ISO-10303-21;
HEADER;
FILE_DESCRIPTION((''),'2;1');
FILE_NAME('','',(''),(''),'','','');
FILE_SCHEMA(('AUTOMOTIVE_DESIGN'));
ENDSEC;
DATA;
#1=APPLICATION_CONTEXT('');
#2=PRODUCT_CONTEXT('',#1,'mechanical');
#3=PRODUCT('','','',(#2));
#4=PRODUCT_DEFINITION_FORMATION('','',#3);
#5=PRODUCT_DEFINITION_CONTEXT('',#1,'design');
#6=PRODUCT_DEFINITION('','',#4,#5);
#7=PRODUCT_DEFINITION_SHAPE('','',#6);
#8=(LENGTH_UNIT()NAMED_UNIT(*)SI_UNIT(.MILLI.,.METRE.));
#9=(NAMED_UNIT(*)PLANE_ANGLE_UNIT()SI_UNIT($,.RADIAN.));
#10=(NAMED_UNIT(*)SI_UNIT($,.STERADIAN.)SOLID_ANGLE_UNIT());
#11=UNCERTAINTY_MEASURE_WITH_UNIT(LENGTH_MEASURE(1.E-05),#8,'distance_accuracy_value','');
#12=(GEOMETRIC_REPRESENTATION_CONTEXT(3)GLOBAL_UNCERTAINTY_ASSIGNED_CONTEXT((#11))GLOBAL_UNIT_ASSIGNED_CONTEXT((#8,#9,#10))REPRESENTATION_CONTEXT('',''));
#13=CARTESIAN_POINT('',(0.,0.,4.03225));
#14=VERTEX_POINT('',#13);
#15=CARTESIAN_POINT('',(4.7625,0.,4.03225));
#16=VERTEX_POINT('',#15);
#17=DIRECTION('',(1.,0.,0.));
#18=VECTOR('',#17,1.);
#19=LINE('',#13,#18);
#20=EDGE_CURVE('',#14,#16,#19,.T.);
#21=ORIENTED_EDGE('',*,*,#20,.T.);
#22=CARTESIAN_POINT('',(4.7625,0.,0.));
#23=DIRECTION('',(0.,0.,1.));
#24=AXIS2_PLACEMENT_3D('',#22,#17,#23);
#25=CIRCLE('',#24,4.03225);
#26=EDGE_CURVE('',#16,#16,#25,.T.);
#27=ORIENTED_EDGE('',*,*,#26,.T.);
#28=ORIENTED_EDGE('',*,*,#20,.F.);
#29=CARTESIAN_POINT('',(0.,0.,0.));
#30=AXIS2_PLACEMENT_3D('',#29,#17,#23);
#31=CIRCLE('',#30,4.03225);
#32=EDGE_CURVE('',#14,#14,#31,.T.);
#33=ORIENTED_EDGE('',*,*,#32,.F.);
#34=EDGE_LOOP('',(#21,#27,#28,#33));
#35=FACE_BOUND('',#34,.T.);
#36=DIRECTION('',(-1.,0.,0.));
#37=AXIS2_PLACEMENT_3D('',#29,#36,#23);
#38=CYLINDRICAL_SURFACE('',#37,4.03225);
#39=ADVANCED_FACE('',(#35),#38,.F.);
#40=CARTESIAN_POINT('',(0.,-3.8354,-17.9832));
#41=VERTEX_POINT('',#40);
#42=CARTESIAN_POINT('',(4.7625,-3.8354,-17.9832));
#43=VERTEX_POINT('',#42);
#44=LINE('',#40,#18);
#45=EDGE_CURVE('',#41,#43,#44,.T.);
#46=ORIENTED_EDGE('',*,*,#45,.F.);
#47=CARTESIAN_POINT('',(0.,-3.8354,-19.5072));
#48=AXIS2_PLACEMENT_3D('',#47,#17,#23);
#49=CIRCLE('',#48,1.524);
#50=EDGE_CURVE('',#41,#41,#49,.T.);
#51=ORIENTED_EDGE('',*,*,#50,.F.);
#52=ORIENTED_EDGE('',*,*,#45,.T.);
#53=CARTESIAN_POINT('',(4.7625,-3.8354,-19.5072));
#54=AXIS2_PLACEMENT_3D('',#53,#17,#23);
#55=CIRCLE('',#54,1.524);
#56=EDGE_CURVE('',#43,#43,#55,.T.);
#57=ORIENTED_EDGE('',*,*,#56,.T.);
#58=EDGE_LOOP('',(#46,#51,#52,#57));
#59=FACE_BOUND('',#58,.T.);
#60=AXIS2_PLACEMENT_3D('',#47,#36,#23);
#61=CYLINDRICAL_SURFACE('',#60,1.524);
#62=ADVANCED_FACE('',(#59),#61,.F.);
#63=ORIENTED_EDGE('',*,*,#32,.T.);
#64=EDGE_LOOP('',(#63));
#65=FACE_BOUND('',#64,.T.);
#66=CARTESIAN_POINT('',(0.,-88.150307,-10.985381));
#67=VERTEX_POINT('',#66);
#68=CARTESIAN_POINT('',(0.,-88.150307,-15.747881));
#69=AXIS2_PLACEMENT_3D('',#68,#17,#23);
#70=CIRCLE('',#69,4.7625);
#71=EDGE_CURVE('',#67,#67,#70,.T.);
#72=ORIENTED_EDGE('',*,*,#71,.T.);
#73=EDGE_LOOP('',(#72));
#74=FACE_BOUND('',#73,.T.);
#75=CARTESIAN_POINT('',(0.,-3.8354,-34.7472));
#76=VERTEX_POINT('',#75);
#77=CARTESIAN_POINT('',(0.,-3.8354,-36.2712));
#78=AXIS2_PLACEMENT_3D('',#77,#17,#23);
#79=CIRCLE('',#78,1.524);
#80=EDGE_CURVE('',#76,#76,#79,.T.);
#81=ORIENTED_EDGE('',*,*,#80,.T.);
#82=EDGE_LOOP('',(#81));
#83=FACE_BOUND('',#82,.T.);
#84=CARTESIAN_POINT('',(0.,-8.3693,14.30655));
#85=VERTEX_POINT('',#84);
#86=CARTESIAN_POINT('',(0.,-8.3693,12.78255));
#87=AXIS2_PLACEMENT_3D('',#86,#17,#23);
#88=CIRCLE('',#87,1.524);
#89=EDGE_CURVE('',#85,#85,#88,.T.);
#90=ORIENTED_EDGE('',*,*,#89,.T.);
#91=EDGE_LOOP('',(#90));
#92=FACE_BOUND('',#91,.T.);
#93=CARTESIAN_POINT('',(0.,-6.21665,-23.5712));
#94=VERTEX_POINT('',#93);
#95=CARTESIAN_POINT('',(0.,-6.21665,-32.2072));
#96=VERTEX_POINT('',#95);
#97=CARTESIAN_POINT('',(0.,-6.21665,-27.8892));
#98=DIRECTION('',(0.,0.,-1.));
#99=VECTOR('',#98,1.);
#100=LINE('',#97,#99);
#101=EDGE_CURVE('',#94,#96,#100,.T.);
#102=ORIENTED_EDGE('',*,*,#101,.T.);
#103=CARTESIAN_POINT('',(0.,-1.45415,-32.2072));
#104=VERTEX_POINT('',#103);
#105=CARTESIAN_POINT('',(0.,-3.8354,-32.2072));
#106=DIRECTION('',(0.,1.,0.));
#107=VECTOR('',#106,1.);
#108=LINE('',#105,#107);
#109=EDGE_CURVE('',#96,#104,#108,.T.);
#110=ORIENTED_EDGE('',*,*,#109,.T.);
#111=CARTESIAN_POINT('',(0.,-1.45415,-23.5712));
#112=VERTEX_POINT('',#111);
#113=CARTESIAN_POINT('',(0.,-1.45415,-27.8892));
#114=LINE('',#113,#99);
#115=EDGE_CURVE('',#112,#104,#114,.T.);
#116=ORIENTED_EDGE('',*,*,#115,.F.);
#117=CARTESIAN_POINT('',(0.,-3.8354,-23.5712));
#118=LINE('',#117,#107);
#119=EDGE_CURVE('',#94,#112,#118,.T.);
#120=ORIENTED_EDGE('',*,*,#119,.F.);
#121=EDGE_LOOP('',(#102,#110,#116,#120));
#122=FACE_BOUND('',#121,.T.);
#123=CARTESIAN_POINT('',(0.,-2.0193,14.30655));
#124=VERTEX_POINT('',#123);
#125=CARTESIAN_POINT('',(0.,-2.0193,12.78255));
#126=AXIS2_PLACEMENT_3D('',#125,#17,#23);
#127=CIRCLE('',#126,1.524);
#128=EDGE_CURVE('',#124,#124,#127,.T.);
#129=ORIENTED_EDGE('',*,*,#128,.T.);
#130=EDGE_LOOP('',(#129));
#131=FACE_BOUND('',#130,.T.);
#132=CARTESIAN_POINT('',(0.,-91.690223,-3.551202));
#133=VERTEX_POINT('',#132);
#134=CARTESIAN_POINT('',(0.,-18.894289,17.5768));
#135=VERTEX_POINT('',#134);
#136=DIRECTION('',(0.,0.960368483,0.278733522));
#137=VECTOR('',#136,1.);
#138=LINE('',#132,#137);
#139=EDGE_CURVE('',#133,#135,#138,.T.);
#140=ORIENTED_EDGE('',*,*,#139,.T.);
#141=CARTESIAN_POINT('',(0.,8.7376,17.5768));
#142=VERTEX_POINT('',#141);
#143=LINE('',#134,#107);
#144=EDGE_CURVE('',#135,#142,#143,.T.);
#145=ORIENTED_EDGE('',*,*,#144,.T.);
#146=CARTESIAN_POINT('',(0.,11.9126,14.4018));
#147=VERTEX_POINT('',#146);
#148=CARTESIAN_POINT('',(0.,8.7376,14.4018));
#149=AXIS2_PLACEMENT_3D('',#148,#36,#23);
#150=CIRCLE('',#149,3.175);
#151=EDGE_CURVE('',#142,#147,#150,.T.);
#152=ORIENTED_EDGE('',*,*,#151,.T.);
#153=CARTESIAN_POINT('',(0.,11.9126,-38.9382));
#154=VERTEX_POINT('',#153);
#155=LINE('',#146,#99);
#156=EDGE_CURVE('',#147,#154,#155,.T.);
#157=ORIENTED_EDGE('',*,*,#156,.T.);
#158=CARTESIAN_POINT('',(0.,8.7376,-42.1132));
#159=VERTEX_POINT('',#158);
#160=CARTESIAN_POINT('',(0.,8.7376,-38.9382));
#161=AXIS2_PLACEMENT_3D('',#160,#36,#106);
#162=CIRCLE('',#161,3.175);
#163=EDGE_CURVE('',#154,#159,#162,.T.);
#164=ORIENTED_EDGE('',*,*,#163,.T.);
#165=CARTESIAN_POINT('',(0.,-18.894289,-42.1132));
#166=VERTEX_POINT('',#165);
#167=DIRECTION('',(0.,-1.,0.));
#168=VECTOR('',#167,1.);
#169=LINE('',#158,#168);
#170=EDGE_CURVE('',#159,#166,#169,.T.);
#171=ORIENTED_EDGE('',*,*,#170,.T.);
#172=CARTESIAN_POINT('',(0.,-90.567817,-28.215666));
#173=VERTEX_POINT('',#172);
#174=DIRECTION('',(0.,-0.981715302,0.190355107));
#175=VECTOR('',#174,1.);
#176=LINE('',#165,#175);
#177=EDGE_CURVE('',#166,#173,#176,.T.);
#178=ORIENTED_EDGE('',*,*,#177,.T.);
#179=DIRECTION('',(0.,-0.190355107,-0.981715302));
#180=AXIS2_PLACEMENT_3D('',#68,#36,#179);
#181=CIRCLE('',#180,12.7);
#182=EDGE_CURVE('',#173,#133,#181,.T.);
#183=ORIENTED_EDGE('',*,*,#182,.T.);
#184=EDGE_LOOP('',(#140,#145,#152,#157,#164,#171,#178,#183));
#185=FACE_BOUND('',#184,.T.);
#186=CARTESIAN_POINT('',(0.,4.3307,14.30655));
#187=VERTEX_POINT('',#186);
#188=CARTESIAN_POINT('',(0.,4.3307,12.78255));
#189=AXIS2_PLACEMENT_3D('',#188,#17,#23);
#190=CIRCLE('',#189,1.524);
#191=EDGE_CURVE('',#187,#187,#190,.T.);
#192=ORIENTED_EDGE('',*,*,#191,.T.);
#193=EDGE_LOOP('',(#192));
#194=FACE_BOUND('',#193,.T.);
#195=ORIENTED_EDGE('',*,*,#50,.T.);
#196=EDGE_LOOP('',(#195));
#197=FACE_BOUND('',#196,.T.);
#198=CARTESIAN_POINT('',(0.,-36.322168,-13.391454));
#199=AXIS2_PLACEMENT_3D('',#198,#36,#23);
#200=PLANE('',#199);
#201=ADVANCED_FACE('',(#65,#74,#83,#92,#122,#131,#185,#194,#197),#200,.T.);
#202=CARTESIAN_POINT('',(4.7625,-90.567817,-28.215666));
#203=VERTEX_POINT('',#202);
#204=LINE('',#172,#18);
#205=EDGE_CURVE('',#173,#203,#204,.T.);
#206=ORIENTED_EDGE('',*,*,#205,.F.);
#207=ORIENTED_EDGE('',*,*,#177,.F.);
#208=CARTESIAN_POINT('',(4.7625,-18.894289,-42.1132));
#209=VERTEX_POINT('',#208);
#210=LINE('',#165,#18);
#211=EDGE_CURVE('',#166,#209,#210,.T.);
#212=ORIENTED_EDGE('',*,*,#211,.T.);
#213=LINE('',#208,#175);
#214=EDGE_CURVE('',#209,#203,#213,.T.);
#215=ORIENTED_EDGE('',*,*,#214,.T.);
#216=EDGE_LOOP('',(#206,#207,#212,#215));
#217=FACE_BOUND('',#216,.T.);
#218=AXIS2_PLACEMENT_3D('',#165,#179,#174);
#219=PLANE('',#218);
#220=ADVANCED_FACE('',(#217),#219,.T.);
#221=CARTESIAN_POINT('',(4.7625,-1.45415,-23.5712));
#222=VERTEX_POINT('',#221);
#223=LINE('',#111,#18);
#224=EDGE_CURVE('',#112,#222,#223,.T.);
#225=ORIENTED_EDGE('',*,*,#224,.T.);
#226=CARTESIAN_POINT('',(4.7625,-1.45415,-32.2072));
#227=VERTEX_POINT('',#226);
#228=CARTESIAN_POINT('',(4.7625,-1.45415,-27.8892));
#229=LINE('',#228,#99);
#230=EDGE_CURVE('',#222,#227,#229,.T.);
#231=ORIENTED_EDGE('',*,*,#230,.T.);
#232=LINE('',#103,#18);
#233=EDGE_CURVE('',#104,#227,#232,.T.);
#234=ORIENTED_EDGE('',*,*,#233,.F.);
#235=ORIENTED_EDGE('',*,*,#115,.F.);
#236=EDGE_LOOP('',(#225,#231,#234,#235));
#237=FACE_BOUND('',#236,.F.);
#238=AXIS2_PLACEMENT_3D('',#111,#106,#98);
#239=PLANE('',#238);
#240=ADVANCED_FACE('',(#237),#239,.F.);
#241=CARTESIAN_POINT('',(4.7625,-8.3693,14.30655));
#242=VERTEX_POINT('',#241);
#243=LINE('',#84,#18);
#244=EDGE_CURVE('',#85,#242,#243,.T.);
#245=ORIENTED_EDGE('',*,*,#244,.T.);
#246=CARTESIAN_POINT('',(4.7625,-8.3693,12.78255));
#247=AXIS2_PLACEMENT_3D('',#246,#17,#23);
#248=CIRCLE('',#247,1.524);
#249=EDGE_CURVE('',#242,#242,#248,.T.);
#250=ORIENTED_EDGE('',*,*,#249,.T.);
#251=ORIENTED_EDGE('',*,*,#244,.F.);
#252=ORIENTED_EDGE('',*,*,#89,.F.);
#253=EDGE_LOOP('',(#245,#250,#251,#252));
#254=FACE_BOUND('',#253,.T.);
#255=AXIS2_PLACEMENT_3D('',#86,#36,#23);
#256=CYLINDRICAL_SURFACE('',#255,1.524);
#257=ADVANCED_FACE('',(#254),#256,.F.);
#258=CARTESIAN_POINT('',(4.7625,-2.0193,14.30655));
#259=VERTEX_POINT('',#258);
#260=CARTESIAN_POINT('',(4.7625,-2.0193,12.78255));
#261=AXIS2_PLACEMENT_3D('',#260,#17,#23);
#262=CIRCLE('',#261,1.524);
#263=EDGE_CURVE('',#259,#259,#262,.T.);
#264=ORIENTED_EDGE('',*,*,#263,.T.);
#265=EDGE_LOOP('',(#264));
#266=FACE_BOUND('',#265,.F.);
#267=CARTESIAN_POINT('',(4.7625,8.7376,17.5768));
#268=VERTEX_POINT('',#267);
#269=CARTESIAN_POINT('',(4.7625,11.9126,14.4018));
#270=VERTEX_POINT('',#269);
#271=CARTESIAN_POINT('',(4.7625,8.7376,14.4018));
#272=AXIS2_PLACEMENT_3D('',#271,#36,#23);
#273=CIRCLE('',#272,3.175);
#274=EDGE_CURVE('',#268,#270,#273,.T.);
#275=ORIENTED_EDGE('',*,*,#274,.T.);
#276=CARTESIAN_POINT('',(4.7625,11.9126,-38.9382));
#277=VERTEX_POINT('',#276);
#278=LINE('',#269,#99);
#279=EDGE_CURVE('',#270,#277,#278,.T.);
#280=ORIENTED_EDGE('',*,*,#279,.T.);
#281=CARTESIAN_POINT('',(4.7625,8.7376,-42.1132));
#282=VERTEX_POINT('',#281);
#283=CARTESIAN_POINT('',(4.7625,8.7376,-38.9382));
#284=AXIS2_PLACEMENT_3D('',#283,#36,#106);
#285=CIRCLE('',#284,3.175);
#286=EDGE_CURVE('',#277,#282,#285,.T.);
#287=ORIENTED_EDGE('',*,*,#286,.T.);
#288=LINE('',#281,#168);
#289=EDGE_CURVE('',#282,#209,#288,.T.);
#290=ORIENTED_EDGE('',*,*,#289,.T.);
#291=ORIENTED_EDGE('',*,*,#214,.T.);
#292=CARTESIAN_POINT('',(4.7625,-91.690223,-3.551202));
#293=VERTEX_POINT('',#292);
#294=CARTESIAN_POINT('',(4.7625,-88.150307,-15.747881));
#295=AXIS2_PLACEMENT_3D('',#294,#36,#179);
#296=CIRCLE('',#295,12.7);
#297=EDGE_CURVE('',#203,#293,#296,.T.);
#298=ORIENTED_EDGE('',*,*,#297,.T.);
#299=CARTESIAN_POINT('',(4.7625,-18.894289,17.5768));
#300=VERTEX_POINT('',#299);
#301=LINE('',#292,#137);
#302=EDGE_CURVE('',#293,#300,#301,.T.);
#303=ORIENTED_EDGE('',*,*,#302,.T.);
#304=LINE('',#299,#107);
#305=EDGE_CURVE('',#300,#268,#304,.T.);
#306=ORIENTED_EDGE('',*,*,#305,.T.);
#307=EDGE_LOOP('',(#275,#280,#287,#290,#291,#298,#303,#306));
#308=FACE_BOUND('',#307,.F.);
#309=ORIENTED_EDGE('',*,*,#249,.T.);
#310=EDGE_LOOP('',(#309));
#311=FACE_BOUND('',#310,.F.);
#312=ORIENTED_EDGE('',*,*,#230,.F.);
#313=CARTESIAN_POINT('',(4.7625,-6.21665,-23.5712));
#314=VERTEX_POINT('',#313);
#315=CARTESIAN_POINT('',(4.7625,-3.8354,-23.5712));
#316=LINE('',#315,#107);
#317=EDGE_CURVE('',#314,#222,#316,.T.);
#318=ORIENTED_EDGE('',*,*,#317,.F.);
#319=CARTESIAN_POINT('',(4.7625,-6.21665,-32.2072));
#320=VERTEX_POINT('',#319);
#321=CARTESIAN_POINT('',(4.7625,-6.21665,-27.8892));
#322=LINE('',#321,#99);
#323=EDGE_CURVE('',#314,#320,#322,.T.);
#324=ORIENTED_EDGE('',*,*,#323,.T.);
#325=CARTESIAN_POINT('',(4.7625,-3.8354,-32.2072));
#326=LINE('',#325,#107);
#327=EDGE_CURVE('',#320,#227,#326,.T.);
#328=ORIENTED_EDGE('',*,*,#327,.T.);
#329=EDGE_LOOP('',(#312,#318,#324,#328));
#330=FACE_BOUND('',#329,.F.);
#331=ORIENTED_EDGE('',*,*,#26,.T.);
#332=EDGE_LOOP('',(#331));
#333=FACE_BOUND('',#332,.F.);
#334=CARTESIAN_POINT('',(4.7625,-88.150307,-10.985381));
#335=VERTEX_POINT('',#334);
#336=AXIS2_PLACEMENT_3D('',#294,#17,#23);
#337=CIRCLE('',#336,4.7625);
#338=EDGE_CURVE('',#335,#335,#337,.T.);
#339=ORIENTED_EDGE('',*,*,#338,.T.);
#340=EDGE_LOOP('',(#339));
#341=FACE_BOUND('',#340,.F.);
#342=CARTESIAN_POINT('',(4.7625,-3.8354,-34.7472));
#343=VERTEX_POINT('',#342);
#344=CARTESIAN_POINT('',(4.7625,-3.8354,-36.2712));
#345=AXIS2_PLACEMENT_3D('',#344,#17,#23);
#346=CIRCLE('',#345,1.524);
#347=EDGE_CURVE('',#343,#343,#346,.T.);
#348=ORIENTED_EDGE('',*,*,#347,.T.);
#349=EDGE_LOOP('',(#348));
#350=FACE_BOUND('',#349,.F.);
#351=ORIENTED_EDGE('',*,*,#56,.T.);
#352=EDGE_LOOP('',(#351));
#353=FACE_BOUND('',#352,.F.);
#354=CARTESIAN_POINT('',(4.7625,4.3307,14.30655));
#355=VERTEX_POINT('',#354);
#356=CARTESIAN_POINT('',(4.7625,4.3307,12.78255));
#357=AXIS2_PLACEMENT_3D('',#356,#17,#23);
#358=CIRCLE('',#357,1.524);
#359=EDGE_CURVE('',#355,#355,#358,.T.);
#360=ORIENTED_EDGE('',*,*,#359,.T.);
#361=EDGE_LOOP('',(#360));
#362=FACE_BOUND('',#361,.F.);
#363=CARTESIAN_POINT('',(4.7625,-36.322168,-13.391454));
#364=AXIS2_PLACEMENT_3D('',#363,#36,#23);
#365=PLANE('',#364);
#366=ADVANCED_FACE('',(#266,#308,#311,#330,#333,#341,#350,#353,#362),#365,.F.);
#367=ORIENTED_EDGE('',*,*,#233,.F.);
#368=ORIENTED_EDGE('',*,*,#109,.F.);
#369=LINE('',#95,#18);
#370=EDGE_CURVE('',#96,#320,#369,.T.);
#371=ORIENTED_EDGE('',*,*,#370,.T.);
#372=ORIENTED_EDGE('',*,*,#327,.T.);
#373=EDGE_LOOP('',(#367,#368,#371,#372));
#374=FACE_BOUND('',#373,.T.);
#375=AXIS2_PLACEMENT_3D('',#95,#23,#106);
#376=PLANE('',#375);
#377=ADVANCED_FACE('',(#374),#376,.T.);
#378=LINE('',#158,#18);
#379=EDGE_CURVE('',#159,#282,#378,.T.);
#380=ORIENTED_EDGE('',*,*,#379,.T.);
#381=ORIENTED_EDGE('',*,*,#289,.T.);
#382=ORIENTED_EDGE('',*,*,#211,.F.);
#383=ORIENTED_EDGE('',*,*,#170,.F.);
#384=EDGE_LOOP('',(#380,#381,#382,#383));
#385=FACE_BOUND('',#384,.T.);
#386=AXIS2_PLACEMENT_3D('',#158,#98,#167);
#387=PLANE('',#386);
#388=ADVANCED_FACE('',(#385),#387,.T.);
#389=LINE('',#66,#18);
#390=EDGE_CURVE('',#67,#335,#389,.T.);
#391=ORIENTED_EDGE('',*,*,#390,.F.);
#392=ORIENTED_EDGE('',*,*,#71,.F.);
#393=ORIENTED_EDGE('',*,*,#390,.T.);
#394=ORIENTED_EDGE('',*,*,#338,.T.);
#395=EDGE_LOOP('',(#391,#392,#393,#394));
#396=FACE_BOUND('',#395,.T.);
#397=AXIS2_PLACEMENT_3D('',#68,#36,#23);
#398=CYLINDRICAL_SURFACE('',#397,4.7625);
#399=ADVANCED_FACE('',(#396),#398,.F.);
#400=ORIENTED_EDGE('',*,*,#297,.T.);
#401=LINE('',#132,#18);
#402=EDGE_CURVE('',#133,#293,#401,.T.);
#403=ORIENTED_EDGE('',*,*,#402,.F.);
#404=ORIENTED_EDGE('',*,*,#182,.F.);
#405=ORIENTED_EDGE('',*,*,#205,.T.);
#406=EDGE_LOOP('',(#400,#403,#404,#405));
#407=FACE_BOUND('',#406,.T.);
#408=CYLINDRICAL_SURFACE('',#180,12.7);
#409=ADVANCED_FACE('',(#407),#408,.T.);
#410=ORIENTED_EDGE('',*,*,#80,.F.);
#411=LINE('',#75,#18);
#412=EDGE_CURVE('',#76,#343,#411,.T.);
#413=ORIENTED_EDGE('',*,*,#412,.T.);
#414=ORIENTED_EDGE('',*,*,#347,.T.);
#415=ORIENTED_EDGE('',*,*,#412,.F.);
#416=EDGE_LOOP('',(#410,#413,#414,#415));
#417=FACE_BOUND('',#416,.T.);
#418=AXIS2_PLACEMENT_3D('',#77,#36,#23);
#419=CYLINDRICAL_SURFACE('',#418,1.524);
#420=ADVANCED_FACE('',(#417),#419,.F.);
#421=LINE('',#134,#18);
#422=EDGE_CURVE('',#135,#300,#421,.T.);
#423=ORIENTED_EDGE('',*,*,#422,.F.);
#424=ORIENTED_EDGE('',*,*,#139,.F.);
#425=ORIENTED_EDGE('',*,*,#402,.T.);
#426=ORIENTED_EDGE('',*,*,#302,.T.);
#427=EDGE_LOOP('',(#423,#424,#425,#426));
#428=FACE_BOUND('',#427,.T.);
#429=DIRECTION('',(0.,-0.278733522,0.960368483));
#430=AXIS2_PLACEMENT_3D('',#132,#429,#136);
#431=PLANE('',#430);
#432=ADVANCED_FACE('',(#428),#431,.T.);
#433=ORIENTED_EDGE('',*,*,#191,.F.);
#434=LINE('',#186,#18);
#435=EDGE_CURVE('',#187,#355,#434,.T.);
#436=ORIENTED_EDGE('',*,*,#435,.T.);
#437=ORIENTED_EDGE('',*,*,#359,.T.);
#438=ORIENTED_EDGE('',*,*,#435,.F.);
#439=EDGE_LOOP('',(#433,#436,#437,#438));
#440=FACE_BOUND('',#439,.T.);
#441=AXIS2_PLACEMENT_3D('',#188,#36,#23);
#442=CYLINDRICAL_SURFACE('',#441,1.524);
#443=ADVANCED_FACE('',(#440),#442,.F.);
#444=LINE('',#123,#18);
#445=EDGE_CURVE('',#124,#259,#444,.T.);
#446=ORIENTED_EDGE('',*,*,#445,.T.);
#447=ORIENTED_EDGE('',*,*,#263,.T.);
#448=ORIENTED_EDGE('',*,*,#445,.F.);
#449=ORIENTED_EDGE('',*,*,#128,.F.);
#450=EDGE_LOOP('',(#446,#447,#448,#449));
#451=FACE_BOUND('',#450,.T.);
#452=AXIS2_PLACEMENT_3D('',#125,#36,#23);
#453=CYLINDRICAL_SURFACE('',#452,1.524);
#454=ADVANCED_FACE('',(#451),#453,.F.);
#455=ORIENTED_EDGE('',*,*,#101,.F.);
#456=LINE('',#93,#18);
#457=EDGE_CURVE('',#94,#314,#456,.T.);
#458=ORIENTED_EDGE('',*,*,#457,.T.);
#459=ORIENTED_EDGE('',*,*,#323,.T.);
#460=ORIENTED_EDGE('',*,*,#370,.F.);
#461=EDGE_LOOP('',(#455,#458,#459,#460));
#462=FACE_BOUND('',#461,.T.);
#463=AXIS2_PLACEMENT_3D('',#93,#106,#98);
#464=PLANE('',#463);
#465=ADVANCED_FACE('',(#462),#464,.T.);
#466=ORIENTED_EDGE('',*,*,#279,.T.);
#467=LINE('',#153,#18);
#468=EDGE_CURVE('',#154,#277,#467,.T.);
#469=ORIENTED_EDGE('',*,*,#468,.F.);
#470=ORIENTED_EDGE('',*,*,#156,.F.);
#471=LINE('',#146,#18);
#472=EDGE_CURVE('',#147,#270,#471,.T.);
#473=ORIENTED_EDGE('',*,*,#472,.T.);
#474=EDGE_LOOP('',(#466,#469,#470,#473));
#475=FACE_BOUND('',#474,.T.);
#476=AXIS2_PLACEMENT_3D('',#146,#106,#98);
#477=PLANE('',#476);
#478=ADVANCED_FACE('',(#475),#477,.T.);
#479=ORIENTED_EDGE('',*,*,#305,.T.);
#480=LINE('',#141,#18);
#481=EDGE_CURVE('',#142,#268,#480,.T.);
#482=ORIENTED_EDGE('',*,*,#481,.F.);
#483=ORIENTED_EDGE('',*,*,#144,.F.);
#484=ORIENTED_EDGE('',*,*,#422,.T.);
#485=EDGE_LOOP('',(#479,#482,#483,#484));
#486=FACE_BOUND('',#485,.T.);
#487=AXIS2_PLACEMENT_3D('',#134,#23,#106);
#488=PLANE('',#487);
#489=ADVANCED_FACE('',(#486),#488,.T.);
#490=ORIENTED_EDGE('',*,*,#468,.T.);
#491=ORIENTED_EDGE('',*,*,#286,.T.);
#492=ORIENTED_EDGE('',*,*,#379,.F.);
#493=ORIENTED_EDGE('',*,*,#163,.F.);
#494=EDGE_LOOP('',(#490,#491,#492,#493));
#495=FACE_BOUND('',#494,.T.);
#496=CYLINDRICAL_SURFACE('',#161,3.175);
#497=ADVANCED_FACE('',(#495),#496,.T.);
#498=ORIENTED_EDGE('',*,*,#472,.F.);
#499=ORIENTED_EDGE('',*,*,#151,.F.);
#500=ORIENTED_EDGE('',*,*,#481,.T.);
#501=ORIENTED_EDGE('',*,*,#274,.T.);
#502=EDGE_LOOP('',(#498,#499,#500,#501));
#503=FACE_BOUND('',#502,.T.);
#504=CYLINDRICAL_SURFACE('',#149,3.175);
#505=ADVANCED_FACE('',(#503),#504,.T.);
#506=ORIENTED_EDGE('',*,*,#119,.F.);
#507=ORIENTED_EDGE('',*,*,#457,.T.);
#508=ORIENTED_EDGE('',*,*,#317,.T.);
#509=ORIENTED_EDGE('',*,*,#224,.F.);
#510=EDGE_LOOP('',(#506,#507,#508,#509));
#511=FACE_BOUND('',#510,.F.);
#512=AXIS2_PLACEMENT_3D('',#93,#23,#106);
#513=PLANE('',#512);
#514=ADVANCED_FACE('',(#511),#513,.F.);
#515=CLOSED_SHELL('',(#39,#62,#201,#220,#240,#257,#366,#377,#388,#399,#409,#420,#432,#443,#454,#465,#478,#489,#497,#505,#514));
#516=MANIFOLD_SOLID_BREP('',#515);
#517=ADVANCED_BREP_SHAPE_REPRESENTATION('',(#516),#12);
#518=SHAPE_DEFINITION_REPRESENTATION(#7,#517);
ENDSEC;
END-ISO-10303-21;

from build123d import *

# Parameters (mm, degrees)
SKETCH1_R           = 4.7625
SKETCH1_R_2         = 4.03225
SKETCH1_R_3         = 1.524
SKETCH1_W           = 8.636
SKETCH1_H           = 4.7625
BOSS_EXTRUDE1_DEPTH = 4.7625


with BuildPart() as part:
    # Sketch1 → Boss-Extrude1 (new body)
    with BuildSketch(Plane(origin=(0, 0, 0), x_dir=(0, 0, -1), z_dir=(1, 0, 0))):
        with BuildLine():
            Line((42.1132, 8.7376), (42.1132, -18.894289209))
            Line((42.1132, -18.894289209), (28.215665755, -90.567816907))
            ThreePointArc((28.215665755, -90.567816907), (16.325222884, -100.837177304), (3.551201687, -91.690222777))
            Line((3.551201687, -91.690222777), (-17.5768, -18.894289209))
            Line((-17.5768, -18.894289209), (-17.5768, 8.7376))
            ThreePointArc((-17.5768, 8.7376), (-16.64686403, 10.98266403), (-14.4018, 11.9126))
            Line((-14.4018, 11.9126), (38.9382, 11.9126))
            ThreePointArc((38.9382, 11.9126), (41.18326403, 10.98266403), (42.1132, 8.7376))
        make_face()
        with Locations(Location((15.747881426, -88.15030705, 0), (0, 0, 180))):
            Circle(SKETCH1_R, mode=Mode.SUBTRACT)
        with Locations(Location((0, 0, 0), (0, 0, 180))):
            Circle(SKETCH1_R_2, mode=Mode.SUBTRACT)
        with Locations(Location((-12.78255, 4.3307, 0), (0, 0, 180))):
            Circle(SKETCH1_R_3, mode=Mode.SUBTRACT)
        with Locations(Location((36.2712, -3.8354, 0), (0, 0, 180))):
            Circle(SKETCH1_R_3, mode=Mode.SUBTRACT)
        with Locations(Location((-12.78255, -2.0193, 0), (0, 0, 180))):
            Circle(SKETCH1_R_3, mode=Mode.SUBTRACT)
        with Locations(Location((-12.78255, -8.3693, 0), (0, 0, 180))):
            Circle(SKETCH1_R_3, mode=Mode.SUBTRACT)
        with Locations(Location((19.5072, -3.8354, 0), (0, 0, 180))):
            Circle(SKETCH1_R_3, mode=Mode.SUBTRACT)
        with Locations((27.8892, -3.8354)):
            Rectangle(SKETCH1_W, SKETCH1_H, mode=Mode.SUBTRACT)
    extrude(amount=BOSS_EXTRUDE1_DEPTH)


solid = part.part
